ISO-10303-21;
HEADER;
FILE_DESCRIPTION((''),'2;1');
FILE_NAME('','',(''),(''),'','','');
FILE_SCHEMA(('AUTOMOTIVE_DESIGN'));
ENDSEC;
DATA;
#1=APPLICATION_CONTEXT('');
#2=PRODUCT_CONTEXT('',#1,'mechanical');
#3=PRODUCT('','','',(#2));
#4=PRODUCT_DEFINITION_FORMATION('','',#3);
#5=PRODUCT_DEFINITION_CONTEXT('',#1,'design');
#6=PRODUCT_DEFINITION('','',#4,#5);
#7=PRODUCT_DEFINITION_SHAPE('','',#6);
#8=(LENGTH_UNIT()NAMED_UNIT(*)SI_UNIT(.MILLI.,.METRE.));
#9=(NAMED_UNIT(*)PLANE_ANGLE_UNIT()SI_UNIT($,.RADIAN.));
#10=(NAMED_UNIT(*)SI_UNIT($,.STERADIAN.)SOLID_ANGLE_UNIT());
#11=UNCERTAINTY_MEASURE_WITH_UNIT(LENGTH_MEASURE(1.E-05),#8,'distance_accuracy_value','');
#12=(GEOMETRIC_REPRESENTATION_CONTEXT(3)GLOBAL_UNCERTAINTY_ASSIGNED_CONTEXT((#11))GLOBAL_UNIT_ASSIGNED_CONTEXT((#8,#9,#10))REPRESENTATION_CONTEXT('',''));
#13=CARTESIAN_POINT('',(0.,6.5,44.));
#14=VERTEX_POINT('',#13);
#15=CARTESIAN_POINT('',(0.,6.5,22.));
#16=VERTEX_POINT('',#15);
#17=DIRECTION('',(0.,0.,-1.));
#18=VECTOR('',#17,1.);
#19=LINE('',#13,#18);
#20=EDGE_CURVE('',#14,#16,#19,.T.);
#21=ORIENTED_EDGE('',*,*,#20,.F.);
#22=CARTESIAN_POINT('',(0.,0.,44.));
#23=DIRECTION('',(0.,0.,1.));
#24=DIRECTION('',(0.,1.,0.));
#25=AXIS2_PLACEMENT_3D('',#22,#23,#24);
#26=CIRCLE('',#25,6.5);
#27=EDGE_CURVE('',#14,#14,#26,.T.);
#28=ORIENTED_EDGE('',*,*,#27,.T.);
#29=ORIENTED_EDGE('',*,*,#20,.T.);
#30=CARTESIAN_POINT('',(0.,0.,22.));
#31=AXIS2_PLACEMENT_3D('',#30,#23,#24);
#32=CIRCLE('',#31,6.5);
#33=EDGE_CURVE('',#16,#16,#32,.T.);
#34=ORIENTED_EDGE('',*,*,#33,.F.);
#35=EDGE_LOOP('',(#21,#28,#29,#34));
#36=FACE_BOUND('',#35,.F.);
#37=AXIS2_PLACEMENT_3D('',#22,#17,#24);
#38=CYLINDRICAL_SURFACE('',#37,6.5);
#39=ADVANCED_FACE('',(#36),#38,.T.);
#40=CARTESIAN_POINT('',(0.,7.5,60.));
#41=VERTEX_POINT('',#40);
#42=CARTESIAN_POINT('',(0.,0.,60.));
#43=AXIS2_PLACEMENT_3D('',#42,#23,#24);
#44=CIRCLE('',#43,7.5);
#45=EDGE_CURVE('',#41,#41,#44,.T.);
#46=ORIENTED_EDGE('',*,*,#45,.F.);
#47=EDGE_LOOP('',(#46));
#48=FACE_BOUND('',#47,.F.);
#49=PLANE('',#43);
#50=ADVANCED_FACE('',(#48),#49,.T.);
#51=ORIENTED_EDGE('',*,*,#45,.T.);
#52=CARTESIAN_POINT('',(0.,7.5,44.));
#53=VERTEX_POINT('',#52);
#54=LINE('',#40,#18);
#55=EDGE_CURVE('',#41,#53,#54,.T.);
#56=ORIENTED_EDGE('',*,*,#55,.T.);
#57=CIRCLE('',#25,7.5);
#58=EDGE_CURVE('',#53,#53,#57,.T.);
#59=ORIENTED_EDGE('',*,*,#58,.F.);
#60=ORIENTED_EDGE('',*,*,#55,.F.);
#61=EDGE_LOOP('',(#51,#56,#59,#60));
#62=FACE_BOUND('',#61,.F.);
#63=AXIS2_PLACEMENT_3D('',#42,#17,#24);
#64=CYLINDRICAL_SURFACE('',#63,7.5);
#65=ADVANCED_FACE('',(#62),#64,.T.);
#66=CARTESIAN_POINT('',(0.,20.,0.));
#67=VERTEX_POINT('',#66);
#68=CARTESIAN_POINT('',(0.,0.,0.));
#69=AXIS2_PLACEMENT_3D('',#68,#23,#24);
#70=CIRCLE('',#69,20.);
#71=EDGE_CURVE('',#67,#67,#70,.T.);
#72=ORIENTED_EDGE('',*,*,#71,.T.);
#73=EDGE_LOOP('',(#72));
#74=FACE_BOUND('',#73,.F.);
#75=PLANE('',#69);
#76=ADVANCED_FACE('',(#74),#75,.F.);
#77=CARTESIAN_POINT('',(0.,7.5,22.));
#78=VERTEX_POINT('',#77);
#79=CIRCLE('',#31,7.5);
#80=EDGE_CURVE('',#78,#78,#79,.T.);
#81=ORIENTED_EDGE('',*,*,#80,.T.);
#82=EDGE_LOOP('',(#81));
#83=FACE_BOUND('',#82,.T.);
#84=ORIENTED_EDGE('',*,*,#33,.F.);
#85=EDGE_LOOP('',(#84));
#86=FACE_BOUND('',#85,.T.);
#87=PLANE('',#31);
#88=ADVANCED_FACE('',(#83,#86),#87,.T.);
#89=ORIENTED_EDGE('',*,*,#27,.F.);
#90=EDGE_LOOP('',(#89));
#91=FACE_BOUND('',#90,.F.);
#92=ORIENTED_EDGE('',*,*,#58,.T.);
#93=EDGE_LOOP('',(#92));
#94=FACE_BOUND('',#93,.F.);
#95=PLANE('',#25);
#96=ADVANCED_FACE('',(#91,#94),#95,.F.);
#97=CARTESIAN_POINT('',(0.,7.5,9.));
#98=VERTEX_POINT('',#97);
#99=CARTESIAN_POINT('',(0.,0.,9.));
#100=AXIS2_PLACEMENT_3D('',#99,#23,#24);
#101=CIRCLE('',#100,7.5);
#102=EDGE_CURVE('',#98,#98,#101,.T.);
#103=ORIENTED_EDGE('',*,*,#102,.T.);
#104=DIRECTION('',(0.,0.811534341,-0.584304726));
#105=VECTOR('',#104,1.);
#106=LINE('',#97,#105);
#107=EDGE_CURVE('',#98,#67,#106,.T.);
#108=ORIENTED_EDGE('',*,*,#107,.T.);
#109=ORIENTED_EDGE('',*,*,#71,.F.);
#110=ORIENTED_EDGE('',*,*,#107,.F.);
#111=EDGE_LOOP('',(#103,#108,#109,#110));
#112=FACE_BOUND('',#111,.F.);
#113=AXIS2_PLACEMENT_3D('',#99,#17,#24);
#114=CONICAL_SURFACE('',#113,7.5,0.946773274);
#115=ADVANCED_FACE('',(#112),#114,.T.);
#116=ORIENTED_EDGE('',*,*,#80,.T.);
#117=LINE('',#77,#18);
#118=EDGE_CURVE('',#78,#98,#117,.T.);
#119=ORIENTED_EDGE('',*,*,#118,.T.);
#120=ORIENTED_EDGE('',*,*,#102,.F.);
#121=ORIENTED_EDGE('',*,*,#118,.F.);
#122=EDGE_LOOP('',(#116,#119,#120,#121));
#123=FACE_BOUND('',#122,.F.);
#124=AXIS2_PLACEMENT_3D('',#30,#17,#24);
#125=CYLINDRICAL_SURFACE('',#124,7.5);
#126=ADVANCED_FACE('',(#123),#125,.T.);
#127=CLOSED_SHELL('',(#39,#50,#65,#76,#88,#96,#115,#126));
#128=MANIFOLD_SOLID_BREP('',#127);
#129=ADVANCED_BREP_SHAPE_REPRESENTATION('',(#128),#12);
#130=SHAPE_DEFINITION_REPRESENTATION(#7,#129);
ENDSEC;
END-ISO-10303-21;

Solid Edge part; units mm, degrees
sketch "Sketch1" plane through (0, 0, 0) normal (1, 0, 0) x (0, 1, 0)
  line L0 (7.5, 22) -> (7.5, 9)
  line L1 (7.5, 9) -> (20, 0)
  line L2 (20, 0) -> (0, 0)
  line L3 (0, 0) -> (0, 22)
  line L4 (0, 22) -> (0, 60)
  line L5 (0, 60) -> (7.5, 60)
  line L6 (7.5, 60) -> (7.5, 44)
  line L7 (7.5, 44) -> (6.5, 44)
  line L8 (6.5, 44) -> (6.5, 22)
  line L9 (7.5, 22) -> (6.5, 22)
  dimension "D1" = 20
  dimension "D2" = 9
  dimension "D3" = 22
  dimension "D4" = 1
  dimension "D5" = 44
  dimension "D6" = 60
revolve "RevolvedProtrusion1" add sketch "Sketch1" angle 360 about axis through (0, 0, 0) along (0, 0, 1)
